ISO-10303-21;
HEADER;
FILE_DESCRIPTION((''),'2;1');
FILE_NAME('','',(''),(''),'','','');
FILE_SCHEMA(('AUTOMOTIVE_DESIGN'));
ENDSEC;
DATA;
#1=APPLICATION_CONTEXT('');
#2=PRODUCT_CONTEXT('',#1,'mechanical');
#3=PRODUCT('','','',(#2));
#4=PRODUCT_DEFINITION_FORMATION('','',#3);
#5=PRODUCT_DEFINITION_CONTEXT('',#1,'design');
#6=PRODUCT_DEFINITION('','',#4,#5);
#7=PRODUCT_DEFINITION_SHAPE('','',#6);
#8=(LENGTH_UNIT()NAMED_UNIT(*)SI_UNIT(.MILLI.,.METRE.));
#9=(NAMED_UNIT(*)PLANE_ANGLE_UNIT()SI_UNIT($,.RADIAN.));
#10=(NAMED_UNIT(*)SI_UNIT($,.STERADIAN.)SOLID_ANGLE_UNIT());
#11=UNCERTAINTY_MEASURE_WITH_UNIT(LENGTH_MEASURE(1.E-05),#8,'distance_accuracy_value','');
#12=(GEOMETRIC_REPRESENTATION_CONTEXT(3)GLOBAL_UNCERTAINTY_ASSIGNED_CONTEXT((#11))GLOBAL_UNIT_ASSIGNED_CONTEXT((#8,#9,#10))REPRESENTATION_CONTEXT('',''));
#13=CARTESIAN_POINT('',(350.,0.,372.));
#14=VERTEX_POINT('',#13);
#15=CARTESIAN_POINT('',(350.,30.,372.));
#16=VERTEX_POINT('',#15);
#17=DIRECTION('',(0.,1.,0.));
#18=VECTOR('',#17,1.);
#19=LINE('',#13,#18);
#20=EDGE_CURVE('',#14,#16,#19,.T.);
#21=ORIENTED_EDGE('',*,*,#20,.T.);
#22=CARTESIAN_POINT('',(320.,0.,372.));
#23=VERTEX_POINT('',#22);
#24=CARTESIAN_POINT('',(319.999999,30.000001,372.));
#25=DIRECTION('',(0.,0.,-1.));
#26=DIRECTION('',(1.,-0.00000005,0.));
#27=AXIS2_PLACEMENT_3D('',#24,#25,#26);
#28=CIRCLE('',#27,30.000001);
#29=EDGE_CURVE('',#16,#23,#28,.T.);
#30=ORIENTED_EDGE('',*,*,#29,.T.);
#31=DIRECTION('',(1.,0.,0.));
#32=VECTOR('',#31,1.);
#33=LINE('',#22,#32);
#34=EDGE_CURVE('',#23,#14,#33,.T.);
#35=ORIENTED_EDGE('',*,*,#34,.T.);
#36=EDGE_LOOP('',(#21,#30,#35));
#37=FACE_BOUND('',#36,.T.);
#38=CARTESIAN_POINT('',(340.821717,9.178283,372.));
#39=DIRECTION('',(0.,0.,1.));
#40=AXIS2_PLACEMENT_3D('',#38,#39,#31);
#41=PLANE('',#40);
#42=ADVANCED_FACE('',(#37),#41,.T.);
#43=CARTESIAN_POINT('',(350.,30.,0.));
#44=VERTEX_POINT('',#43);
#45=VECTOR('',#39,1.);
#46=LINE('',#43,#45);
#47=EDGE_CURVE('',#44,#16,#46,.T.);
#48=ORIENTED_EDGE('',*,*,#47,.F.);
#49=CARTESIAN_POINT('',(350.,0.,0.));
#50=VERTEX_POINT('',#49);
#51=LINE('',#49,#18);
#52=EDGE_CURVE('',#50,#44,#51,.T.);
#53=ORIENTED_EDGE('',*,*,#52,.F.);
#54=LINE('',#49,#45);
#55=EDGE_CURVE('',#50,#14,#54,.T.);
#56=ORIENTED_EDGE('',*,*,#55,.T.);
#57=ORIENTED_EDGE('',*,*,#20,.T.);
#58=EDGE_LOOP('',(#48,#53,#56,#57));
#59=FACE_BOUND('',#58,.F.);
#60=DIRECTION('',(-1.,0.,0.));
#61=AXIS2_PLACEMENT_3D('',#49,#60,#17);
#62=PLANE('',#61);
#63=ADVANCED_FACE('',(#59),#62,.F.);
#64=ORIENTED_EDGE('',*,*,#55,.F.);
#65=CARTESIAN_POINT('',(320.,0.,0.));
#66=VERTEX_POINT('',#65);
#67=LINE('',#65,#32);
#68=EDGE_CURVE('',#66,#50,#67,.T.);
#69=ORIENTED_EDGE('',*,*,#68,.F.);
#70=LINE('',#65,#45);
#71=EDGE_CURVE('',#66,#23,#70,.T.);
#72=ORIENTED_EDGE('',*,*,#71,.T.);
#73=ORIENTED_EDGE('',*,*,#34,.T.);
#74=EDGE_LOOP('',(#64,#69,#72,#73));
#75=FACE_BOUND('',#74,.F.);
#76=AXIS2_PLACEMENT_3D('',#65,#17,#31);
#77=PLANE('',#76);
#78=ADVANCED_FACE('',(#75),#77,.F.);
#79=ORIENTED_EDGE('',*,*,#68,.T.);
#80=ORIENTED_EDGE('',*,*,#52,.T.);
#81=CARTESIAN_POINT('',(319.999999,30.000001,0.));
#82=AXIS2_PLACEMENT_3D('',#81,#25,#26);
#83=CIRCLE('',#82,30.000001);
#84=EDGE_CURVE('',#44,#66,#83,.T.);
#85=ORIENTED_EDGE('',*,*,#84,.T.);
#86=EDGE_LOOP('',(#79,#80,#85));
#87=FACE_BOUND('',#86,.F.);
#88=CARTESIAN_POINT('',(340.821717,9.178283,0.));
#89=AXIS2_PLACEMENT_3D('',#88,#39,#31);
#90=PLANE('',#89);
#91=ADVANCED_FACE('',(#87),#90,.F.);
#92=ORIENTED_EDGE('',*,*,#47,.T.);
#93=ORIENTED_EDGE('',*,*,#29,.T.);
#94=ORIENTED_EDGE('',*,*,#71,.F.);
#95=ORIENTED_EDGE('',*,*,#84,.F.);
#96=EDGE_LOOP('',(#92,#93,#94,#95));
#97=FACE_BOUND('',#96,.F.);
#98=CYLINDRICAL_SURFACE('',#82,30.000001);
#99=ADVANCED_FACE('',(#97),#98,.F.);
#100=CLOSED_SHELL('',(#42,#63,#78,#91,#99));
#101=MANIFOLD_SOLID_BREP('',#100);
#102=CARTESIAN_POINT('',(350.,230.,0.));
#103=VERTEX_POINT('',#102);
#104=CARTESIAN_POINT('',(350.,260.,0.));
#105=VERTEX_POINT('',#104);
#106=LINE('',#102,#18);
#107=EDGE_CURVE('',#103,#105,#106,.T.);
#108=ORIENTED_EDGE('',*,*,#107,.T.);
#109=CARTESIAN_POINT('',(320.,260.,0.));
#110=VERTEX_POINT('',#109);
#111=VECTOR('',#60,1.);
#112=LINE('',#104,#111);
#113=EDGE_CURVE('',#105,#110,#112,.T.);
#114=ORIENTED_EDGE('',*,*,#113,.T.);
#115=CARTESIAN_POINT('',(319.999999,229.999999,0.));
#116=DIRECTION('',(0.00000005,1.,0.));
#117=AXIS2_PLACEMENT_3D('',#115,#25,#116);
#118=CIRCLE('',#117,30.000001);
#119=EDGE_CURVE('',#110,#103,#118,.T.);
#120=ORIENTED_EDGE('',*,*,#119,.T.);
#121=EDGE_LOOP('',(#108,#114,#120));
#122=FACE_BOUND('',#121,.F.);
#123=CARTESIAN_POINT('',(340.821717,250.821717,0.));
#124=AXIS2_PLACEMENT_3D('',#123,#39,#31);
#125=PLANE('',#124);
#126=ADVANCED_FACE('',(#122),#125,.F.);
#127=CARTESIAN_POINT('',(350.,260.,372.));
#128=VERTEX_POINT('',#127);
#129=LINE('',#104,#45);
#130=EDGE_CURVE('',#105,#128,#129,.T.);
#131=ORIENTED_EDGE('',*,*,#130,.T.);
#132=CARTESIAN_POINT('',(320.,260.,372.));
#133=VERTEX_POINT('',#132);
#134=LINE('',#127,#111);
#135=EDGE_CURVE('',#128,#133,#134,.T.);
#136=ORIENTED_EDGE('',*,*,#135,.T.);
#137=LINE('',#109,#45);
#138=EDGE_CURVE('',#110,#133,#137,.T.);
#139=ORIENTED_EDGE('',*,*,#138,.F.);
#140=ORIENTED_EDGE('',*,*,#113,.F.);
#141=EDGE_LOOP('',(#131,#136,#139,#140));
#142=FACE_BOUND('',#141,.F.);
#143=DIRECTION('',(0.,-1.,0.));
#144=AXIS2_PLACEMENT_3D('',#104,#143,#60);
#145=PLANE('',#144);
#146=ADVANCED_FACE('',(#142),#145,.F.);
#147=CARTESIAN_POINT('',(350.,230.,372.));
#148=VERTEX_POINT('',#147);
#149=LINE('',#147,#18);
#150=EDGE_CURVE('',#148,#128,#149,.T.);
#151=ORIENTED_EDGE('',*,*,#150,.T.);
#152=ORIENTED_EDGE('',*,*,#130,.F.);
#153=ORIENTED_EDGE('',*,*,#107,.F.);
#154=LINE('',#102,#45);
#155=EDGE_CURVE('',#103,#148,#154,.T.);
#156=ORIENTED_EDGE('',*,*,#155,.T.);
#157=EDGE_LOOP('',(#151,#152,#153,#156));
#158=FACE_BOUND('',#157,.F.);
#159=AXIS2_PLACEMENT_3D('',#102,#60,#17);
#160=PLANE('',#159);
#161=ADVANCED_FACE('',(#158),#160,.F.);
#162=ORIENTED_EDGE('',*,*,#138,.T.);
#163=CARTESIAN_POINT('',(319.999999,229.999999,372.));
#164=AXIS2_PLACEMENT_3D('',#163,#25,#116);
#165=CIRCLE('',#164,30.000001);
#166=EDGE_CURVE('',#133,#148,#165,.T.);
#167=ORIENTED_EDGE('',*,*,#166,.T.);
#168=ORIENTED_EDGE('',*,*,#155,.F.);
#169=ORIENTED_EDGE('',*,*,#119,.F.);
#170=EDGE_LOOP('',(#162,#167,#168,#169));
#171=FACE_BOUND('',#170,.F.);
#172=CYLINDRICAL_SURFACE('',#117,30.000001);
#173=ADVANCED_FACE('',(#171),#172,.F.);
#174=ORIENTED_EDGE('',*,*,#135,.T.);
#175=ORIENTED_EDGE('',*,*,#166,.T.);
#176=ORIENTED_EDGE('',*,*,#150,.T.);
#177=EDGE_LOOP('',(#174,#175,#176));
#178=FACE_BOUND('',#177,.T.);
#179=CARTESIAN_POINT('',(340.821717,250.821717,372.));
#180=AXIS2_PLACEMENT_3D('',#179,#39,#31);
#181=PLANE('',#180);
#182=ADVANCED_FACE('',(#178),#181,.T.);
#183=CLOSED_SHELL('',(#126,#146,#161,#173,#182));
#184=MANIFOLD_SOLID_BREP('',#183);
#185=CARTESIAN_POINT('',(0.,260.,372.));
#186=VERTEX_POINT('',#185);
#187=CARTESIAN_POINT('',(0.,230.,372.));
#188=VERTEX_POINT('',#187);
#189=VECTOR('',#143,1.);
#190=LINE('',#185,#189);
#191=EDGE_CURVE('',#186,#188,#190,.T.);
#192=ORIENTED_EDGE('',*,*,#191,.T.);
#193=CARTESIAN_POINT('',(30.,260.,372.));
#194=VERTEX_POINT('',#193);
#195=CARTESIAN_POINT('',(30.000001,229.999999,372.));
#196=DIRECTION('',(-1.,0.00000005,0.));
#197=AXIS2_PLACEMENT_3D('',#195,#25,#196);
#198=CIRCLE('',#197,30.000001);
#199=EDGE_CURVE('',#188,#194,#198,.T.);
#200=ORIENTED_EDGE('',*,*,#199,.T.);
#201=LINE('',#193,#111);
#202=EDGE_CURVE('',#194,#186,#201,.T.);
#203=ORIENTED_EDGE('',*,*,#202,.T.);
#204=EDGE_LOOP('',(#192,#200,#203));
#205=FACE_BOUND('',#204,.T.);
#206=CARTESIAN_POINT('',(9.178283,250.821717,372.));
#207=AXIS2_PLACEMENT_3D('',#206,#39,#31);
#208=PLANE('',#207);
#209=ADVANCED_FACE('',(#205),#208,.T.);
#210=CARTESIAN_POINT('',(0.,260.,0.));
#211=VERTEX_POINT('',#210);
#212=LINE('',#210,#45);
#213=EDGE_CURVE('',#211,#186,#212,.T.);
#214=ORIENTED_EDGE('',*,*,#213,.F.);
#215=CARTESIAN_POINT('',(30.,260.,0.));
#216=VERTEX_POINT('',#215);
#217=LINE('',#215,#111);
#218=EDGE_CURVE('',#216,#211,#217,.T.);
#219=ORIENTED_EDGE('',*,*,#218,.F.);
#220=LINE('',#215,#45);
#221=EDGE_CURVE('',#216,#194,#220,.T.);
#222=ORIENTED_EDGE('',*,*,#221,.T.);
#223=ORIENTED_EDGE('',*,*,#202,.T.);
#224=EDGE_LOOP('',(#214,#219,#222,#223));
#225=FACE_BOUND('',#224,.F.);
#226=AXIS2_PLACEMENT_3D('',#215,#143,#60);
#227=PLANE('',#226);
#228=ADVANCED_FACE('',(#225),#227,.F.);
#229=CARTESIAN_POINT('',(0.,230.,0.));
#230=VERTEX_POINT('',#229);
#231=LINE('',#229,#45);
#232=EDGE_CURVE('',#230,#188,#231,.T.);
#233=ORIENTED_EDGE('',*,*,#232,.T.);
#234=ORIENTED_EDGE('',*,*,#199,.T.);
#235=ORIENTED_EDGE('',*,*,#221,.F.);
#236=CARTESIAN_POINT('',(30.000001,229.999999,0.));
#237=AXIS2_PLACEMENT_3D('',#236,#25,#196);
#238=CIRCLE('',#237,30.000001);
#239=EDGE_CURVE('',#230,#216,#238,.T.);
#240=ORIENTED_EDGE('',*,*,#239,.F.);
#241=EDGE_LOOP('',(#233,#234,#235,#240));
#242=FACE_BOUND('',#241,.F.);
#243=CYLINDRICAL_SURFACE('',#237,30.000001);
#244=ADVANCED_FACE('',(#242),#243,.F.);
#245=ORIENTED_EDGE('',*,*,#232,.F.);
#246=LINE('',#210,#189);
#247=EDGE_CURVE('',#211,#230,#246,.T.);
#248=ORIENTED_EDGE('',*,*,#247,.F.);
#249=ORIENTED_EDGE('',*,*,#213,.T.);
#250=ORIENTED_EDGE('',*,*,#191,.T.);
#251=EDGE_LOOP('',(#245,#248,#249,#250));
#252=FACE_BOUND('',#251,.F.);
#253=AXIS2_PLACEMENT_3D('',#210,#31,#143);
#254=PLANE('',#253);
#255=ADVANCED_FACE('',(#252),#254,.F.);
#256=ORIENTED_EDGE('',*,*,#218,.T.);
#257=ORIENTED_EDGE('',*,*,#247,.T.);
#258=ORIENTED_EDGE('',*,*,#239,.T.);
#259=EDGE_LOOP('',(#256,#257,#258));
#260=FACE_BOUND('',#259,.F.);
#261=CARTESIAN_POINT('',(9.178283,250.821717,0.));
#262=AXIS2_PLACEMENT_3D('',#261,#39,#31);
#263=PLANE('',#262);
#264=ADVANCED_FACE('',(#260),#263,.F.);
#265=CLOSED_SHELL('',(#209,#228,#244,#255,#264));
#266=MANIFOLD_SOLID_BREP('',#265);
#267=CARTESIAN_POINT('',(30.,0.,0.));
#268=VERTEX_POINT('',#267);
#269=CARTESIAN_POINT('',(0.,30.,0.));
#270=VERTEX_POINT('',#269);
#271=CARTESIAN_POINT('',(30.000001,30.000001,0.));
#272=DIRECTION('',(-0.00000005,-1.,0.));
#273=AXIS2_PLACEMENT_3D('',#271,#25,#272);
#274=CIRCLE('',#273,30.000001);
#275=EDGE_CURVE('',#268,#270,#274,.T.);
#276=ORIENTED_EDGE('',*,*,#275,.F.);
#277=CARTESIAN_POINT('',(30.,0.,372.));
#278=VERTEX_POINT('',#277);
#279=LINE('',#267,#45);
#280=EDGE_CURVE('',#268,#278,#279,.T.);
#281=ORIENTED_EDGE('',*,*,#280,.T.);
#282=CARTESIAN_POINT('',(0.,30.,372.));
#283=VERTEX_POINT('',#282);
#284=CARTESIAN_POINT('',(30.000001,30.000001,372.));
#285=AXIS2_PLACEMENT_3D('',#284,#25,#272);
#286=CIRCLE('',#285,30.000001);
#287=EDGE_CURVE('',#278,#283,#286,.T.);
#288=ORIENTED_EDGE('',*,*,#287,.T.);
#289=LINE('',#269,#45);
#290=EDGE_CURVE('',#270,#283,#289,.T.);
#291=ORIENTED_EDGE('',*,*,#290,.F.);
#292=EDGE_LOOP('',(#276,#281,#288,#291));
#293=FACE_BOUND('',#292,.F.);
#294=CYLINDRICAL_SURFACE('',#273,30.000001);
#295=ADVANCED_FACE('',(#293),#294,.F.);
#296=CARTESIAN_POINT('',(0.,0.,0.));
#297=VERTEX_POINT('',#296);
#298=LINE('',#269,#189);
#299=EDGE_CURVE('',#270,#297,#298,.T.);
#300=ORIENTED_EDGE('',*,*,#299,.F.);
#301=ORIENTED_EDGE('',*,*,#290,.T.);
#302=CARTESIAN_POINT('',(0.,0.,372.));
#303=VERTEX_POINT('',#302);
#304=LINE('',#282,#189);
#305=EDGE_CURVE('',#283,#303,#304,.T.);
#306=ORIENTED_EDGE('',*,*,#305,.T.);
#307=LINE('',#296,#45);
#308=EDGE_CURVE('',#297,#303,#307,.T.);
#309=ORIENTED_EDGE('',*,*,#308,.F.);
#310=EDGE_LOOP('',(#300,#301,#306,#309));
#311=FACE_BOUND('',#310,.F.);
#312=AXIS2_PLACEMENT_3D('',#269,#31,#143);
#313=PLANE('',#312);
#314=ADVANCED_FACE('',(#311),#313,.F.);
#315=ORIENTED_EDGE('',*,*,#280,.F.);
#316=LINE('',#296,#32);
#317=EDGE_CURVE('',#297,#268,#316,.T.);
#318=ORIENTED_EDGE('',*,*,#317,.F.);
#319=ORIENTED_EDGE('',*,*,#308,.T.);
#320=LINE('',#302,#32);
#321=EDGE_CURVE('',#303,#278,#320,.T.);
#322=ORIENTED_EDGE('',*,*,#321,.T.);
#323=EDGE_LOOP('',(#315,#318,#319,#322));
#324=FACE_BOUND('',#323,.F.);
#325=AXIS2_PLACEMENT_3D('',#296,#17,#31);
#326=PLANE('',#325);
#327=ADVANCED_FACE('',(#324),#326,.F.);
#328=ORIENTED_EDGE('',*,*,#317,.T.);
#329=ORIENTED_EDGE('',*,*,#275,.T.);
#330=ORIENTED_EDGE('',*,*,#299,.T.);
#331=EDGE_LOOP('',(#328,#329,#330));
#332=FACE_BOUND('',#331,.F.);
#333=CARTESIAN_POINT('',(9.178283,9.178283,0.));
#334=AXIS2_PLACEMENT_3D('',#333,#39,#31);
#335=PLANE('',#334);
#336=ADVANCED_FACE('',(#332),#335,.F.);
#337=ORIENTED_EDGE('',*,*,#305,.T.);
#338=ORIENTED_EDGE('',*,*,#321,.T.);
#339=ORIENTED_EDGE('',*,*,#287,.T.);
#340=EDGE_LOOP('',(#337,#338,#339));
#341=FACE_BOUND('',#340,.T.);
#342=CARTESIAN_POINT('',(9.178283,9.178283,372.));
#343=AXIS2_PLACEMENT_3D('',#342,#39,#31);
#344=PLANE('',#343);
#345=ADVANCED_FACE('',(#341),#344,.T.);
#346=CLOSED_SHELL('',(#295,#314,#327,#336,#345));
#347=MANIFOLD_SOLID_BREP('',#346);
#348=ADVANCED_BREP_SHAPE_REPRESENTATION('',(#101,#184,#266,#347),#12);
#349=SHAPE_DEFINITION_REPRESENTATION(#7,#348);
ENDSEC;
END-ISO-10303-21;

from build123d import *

# Parameters (mm, degrees)
F1_DEPTH = 372


with BuildPart() as f1:
    # F0 (on Top) → F1 (new body)
    with BuildSketch(Plane.XY):
        with BuildLine():
            ThreePointArc((0, 230), (8.786797, 251.213203), (30, 260))
            Line((30, 260), (0, 260))
            Line((0, 260), (0, 230))
        make_face()
        with BuildLine():
            Line((350, 260), (320, 260))
            ThreePointArc((320, 260), (341.213203, 251.213203), (350, 230))
            Line((350, 230), (350, 260))
        make_face()
        with BuildLine():
            Line((350, 0), (350, 30))
            ThreePointArc((350, 30), (341.213203, 8.786797), (320, 0))
            Line((320, 0), (350, 0))
        make_face()
        with BuildLine():
            Line((0, 0), (30, 0))
            ThreePointArc((30, 0), (8.786797, 8.786797), (0, 30))
            Line((0, 30), (0, 0))
        make_face()
    extrude(amount=F1_DEPTH)


solid = f1.part
